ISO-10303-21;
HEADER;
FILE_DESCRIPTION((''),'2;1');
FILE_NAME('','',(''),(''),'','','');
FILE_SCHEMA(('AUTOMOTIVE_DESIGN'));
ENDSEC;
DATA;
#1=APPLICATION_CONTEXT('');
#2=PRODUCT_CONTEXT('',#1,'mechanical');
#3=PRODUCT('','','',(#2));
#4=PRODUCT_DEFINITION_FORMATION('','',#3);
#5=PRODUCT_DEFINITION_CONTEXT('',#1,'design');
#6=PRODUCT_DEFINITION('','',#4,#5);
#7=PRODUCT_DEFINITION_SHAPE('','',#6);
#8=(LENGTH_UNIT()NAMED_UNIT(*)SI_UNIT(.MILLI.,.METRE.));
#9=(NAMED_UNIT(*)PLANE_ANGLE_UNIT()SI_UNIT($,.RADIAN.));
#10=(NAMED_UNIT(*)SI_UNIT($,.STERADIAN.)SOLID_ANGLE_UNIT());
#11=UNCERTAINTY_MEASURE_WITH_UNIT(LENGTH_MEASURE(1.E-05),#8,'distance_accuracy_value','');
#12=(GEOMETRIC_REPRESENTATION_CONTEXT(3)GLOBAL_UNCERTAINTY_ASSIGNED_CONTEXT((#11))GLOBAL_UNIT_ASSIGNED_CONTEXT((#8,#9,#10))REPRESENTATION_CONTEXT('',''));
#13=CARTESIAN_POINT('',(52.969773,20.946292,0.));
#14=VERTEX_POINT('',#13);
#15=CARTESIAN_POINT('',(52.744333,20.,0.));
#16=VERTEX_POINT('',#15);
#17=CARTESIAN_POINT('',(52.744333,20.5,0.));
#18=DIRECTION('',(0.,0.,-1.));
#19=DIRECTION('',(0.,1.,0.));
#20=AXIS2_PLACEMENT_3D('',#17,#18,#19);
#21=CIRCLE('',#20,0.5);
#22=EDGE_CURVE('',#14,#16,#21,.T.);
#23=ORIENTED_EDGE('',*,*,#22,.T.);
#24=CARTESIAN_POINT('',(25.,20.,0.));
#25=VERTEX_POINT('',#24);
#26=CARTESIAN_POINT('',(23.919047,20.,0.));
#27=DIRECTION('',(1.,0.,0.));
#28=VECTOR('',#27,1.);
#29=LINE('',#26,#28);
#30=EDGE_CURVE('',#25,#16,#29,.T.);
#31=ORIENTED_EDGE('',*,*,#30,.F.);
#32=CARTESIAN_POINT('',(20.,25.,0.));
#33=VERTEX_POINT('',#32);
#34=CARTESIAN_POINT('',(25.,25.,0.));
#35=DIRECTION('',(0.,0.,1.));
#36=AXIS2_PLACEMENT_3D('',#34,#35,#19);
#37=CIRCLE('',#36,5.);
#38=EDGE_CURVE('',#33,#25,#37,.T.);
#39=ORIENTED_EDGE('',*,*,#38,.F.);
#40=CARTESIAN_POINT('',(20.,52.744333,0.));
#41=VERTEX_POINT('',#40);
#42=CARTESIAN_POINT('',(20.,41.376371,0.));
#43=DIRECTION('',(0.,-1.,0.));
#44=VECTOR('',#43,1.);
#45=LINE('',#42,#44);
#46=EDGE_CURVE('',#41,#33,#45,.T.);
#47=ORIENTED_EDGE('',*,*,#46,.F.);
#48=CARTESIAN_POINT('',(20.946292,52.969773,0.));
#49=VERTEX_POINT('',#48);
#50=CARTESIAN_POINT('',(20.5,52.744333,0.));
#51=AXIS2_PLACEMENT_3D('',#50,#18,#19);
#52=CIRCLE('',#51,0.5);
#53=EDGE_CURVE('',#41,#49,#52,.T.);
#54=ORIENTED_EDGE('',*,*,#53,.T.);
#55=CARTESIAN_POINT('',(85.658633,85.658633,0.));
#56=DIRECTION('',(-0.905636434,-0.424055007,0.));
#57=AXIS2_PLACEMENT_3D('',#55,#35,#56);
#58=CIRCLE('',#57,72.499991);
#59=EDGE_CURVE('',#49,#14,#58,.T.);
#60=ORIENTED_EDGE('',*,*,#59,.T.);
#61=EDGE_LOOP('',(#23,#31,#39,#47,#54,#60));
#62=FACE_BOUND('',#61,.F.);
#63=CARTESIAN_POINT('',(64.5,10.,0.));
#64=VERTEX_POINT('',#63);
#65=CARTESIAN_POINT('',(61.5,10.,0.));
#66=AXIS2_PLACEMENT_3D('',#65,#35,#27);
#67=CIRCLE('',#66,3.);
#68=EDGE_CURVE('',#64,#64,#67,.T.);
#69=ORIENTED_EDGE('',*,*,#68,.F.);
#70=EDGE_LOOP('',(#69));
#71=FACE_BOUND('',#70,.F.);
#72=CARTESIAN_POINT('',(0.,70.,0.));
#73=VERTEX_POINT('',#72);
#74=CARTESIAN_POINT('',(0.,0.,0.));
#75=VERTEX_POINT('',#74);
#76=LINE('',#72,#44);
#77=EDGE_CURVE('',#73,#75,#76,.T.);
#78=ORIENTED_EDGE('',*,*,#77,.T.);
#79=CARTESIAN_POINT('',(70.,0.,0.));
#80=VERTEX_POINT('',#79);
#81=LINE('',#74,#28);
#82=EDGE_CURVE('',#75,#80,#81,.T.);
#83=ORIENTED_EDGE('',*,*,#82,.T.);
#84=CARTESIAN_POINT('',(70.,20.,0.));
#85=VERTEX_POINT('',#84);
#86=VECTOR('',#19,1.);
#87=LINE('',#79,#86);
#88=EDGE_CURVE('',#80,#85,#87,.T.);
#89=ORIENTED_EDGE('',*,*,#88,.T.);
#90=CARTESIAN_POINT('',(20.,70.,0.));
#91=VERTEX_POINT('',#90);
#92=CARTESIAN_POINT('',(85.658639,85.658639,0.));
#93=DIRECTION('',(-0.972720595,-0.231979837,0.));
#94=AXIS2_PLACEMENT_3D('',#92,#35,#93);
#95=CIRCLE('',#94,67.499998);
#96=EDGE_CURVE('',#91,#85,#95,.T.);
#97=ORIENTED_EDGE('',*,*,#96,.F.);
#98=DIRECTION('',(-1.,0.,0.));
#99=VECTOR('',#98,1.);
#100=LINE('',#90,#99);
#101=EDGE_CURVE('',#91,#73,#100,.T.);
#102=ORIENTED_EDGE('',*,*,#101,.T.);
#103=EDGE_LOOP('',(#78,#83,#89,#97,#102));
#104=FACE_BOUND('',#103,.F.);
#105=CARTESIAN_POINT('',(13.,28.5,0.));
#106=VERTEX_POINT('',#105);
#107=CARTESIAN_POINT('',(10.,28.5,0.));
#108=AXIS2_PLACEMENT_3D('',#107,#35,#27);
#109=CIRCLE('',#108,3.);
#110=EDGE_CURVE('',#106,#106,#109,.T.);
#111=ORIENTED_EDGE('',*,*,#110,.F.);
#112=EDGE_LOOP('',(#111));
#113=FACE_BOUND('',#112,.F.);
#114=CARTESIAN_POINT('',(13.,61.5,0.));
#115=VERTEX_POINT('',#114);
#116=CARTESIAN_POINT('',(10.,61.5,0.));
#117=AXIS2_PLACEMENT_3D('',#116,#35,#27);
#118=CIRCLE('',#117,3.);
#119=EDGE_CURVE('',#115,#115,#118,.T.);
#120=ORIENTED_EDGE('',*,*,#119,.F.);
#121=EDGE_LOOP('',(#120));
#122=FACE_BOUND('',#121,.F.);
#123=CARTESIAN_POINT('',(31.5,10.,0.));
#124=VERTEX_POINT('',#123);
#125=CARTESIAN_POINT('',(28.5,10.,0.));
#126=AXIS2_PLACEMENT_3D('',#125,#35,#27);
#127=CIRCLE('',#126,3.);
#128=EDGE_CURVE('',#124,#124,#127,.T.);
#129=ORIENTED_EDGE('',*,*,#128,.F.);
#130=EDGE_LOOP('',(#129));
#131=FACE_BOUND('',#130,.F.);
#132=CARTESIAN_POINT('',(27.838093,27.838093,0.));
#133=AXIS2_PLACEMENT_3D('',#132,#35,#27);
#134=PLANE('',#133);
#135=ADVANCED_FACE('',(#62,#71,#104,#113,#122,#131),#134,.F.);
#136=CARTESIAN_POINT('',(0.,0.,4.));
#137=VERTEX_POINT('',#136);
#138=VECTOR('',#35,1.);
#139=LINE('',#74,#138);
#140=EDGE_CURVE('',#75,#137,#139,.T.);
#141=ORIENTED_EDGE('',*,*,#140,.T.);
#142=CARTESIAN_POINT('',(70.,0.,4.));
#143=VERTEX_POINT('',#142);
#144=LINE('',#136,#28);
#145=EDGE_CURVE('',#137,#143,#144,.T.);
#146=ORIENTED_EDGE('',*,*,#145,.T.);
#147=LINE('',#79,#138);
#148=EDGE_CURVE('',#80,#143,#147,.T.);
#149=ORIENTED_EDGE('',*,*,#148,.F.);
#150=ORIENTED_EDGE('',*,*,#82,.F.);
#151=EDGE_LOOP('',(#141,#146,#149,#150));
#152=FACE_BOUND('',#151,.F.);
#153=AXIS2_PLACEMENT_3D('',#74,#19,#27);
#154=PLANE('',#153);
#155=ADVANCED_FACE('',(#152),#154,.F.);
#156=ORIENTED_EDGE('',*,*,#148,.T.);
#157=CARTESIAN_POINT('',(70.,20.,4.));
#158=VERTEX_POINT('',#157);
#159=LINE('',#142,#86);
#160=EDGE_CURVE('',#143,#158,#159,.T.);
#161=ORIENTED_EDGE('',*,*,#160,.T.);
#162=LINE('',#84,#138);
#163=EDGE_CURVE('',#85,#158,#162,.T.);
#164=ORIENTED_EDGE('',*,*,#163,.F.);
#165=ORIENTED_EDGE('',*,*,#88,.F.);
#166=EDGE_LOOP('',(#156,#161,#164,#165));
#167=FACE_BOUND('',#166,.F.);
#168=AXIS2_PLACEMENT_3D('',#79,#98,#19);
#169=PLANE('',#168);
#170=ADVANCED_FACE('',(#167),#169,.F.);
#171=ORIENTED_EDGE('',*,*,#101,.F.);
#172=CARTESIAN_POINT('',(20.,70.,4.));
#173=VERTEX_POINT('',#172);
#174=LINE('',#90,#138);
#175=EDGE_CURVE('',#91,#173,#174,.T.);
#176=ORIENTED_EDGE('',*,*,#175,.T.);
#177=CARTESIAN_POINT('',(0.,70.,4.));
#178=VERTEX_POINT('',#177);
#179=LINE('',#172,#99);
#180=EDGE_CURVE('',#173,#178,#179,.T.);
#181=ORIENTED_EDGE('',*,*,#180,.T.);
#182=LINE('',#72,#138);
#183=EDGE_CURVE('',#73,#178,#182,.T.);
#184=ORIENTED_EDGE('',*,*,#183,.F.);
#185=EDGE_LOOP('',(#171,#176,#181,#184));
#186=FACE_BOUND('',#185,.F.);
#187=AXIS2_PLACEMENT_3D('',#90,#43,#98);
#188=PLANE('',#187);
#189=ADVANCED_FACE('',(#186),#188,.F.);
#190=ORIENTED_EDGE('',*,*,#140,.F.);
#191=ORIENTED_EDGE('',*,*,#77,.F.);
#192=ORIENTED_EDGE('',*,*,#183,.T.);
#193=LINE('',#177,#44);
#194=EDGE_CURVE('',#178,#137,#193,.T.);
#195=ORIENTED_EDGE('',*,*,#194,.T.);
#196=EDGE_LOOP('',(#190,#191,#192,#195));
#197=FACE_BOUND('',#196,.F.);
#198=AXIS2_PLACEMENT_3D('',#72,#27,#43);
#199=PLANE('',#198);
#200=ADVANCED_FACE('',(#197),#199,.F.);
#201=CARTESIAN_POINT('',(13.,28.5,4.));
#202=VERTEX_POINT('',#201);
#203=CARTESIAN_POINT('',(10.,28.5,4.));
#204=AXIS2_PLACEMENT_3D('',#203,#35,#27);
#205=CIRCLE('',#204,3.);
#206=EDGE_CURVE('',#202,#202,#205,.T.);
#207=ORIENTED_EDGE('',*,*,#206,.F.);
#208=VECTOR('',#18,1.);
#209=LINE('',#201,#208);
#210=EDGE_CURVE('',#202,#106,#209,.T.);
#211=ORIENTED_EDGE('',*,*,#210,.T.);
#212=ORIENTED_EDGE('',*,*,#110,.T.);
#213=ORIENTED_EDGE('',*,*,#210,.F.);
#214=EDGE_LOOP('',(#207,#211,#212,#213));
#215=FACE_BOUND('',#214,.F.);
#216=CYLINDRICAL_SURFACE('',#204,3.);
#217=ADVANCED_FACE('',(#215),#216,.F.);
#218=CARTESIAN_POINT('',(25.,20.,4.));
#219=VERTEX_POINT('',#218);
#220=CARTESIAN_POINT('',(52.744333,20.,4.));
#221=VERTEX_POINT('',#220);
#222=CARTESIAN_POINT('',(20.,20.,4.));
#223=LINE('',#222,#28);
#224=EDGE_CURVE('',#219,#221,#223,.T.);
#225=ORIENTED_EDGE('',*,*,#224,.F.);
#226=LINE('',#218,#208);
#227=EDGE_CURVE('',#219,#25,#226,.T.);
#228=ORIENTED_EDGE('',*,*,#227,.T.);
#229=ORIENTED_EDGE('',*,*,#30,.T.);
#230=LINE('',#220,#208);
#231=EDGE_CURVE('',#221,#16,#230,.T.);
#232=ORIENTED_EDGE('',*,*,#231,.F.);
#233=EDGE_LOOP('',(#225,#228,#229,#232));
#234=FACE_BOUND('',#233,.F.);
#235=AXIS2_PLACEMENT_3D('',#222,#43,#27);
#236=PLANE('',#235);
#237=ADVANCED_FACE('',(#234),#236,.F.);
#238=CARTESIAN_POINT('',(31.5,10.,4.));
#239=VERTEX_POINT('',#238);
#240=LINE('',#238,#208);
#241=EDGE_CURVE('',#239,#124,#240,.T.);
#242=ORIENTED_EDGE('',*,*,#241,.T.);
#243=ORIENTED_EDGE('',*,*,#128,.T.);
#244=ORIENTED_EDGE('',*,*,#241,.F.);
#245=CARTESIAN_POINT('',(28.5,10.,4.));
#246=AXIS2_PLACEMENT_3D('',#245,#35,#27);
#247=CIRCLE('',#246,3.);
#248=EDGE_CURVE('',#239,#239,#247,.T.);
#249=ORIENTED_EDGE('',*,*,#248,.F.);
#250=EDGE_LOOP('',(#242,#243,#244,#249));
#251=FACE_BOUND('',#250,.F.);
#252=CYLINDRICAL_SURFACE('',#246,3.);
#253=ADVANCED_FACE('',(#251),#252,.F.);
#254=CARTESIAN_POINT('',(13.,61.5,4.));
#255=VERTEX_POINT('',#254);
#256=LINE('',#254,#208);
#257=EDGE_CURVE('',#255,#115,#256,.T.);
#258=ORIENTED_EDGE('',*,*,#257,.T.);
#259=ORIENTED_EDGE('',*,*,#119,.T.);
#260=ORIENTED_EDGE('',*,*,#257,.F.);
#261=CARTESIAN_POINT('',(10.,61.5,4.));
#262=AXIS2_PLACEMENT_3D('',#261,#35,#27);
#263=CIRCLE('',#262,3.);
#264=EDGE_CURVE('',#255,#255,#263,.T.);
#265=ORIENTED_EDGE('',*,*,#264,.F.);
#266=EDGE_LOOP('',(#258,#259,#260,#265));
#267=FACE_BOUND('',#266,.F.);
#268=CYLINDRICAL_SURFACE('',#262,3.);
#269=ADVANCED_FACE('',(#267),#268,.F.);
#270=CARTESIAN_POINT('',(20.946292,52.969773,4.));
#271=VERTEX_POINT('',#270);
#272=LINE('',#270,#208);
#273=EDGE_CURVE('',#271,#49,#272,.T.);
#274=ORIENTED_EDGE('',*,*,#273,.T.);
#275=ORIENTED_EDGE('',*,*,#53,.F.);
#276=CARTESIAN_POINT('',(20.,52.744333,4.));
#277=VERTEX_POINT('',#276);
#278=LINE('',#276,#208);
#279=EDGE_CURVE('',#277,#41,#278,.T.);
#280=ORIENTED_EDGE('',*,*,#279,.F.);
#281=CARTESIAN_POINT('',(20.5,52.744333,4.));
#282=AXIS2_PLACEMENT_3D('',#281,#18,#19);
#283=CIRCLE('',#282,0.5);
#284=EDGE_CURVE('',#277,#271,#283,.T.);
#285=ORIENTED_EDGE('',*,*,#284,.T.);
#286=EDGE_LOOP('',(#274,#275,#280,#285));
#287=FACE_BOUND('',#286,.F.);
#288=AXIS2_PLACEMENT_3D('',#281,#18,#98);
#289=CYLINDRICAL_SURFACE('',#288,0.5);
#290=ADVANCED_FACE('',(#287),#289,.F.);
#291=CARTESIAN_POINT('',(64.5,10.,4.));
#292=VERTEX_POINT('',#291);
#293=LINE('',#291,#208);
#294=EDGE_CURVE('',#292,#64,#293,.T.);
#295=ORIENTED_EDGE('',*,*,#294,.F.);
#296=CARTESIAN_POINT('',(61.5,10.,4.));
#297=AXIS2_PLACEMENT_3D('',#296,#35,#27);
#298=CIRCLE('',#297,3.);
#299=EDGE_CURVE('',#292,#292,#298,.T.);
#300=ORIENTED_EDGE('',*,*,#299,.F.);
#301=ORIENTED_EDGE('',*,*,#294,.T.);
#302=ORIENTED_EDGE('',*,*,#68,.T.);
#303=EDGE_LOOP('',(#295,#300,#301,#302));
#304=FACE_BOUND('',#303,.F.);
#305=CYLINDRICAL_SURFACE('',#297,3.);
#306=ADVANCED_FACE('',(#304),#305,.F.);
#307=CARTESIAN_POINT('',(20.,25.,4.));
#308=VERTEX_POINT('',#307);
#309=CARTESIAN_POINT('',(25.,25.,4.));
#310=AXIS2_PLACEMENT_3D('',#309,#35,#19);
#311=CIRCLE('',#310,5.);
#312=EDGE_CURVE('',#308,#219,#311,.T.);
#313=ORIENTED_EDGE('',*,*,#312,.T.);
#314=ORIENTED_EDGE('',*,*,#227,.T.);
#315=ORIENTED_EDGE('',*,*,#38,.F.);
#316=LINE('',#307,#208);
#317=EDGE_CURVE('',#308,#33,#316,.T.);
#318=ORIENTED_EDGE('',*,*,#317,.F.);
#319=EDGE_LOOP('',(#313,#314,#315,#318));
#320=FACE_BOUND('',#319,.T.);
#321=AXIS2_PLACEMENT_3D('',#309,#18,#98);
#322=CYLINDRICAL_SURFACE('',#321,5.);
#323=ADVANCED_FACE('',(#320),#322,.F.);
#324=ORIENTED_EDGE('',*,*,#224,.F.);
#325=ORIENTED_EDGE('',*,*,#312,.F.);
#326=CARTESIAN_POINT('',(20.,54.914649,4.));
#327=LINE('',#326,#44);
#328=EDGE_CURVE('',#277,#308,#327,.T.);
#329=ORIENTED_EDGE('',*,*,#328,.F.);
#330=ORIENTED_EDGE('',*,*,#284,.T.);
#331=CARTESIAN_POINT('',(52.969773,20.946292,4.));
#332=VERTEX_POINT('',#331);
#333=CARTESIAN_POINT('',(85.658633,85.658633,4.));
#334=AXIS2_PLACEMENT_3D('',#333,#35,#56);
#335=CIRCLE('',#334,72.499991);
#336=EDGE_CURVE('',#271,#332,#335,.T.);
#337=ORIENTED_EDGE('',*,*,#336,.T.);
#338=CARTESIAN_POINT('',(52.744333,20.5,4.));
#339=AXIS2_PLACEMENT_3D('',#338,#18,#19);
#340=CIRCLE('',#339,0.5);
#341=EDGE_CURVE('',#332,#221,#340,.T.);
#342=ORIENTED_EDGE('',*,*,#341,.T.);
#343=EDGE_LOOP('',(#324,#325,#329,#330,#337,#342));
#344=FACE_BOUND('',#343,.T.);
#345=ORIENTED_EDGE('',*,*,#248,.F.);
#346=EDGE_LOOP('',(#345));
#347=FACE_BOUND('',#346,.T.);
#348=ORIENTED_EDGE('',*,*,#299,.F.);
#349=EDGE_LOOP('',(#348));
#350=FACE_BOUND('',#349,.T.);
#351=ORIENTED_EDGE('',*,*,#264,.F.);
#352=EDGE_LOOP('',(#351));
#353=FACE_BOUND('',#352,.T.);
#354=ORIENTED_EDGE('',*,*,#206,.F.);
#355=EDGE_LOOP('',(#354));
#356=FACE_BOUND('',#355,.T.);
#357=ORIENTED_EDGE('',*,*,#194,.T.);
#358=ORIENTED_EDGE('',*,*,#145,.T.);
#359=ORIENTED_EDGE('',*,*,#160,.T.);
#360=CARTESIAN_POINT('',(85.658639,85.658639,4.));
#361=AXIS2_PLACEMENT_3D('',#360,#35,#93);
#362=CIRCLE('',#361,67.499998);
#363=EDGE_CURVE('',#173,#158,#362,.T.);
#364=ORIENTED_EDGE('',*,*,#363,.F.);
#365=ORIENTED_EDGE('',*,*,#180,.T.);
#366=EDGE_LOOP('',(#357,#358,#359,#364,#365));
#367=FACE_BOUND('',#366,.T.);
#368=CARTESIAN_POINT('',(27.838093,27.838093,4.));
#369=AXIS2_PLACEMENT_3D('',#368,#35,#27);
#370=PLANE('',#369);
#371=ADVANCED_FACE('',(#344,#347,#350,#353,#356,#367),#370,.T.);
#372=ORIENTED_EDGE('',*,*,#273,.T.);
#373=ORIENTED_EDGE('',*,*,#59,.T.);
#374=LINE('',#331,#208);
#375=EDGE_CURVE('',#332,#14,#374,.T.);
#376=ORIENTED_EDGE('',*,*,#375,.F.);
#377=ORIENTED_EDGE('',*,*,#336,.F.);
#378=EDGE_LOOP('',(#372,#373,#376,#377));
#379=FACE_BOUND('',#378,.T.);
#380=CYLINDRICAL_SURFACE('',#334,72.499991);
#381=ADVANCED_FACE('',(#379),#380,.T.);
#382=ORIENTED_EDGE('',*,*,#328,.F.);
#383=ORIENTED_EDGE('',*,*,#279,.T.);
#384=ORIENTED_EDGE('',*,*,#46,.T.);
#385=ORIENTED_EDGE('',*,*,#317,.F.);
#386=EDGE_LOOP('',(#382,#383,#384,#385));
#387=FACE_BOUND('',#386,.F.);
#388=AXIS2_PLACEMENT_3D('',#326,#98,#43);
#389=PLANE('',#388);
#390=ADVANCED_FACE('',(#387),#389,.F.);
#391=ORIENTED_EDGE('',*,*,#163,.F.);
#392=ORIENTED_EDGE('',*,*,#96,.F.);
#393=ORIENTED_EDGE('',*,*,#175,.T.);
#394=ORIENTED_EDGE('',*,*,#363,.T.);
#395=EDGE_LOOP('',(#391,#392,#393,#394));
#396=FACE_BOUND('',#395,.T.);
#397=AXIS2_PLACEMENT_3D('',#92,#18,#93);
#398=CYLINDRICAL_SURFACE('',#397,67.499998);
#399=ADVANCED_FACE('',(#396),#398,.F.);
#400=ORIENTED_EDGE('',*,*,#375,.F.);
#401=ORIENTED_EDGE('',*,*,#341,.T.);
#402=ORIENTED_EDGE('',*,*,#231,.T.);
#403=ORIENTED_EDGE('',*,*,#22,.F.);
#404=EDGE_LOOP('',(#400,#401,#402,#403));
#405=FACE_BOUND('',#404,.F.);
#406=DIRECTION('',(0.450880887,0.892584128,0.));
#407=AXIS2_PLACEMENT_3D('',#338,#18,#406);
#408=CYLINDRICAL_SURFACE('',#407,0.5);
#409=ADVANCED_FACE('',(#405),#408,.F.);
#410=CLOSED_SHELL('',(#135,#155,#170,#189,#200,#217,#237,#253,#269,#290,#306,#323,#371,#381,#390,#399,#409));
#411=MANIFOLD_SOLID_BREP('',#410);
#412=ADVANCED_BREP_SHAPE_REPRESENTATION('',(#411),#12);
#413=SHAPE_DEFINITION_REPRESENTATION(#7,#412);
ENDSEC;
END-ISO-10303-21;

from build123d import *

# Parameters (mm, degrees)
PAD_DEPTH       = 4
POCKET_DEPTH    = 4.001
SKETCH002_R     = 3
POCKET001_DEPTH = 4.001
FILLET_R        = 5
FILLET001_R     = 0.5


with BuildPart() as part:
    # Sketch → Pad (new body)
    with BuildSketch(Plane.XY):
        with BuildLine():
            Line((0, 0), (70, 0))
            Line((70, 0), (70, 20))
            ThreePointArc((20, 70), (37.928932, 37.928932), (70, 20))
            Line((20, 70), (0, 70))
            Line((0, 70), (0, 0))
        make_face()
    extrude(amount=PAD_DEPTH)

    # Sketch001 → Pocket (cut, through all)
    with BuildSketch(Plane.XY.offset(4)):
        with BuildLine():
            ThreePointArc((20, 54.914649), (34.393398, 34.393398), (54.914649, 20))
            Line((20, 20), (54.914649, 20))
            Line((20, 54.914649), (20, 20))
        make_face()
    extrude(amount=-POCKET_DEPTH, mode=Mode.SUBTRACT)

    # Sketch002 → Pocket001 (cut, through all)
    with BuildSketch(Plane.XY.offset(4)):
        with Locations((10, 28.5)):
            Circle(SKETCH002_R)
        with Locations((10, 61.5)):
            Circle(SKETCH002_R)
        with Locations((28.5, 10)):
            Circle(SKETCH002_R)
        with Locations((61.5, 10)):
            Circle(SKETCH002_R)
    extrude(amount=-POCKET001_DEPTH, mode=Mode.SUBTRACT)

    # Fillet
    fillet_edges = [part.edges().sort_by_distance(p)[0] for p in [
        (20, 20, 2),
    ]]
    fillet(fillet_edges, radius=FILLET_R)

    # Fillet001
    fillet001_edges = [part.edges().sort_by_distance(p)[0] for p in [
        (20, 54.914649, 2),
        (54.914649, 20, 2),
    ]]
    fillet(fillet001_edges, radius=FILLET001_R)


solid = part.part
